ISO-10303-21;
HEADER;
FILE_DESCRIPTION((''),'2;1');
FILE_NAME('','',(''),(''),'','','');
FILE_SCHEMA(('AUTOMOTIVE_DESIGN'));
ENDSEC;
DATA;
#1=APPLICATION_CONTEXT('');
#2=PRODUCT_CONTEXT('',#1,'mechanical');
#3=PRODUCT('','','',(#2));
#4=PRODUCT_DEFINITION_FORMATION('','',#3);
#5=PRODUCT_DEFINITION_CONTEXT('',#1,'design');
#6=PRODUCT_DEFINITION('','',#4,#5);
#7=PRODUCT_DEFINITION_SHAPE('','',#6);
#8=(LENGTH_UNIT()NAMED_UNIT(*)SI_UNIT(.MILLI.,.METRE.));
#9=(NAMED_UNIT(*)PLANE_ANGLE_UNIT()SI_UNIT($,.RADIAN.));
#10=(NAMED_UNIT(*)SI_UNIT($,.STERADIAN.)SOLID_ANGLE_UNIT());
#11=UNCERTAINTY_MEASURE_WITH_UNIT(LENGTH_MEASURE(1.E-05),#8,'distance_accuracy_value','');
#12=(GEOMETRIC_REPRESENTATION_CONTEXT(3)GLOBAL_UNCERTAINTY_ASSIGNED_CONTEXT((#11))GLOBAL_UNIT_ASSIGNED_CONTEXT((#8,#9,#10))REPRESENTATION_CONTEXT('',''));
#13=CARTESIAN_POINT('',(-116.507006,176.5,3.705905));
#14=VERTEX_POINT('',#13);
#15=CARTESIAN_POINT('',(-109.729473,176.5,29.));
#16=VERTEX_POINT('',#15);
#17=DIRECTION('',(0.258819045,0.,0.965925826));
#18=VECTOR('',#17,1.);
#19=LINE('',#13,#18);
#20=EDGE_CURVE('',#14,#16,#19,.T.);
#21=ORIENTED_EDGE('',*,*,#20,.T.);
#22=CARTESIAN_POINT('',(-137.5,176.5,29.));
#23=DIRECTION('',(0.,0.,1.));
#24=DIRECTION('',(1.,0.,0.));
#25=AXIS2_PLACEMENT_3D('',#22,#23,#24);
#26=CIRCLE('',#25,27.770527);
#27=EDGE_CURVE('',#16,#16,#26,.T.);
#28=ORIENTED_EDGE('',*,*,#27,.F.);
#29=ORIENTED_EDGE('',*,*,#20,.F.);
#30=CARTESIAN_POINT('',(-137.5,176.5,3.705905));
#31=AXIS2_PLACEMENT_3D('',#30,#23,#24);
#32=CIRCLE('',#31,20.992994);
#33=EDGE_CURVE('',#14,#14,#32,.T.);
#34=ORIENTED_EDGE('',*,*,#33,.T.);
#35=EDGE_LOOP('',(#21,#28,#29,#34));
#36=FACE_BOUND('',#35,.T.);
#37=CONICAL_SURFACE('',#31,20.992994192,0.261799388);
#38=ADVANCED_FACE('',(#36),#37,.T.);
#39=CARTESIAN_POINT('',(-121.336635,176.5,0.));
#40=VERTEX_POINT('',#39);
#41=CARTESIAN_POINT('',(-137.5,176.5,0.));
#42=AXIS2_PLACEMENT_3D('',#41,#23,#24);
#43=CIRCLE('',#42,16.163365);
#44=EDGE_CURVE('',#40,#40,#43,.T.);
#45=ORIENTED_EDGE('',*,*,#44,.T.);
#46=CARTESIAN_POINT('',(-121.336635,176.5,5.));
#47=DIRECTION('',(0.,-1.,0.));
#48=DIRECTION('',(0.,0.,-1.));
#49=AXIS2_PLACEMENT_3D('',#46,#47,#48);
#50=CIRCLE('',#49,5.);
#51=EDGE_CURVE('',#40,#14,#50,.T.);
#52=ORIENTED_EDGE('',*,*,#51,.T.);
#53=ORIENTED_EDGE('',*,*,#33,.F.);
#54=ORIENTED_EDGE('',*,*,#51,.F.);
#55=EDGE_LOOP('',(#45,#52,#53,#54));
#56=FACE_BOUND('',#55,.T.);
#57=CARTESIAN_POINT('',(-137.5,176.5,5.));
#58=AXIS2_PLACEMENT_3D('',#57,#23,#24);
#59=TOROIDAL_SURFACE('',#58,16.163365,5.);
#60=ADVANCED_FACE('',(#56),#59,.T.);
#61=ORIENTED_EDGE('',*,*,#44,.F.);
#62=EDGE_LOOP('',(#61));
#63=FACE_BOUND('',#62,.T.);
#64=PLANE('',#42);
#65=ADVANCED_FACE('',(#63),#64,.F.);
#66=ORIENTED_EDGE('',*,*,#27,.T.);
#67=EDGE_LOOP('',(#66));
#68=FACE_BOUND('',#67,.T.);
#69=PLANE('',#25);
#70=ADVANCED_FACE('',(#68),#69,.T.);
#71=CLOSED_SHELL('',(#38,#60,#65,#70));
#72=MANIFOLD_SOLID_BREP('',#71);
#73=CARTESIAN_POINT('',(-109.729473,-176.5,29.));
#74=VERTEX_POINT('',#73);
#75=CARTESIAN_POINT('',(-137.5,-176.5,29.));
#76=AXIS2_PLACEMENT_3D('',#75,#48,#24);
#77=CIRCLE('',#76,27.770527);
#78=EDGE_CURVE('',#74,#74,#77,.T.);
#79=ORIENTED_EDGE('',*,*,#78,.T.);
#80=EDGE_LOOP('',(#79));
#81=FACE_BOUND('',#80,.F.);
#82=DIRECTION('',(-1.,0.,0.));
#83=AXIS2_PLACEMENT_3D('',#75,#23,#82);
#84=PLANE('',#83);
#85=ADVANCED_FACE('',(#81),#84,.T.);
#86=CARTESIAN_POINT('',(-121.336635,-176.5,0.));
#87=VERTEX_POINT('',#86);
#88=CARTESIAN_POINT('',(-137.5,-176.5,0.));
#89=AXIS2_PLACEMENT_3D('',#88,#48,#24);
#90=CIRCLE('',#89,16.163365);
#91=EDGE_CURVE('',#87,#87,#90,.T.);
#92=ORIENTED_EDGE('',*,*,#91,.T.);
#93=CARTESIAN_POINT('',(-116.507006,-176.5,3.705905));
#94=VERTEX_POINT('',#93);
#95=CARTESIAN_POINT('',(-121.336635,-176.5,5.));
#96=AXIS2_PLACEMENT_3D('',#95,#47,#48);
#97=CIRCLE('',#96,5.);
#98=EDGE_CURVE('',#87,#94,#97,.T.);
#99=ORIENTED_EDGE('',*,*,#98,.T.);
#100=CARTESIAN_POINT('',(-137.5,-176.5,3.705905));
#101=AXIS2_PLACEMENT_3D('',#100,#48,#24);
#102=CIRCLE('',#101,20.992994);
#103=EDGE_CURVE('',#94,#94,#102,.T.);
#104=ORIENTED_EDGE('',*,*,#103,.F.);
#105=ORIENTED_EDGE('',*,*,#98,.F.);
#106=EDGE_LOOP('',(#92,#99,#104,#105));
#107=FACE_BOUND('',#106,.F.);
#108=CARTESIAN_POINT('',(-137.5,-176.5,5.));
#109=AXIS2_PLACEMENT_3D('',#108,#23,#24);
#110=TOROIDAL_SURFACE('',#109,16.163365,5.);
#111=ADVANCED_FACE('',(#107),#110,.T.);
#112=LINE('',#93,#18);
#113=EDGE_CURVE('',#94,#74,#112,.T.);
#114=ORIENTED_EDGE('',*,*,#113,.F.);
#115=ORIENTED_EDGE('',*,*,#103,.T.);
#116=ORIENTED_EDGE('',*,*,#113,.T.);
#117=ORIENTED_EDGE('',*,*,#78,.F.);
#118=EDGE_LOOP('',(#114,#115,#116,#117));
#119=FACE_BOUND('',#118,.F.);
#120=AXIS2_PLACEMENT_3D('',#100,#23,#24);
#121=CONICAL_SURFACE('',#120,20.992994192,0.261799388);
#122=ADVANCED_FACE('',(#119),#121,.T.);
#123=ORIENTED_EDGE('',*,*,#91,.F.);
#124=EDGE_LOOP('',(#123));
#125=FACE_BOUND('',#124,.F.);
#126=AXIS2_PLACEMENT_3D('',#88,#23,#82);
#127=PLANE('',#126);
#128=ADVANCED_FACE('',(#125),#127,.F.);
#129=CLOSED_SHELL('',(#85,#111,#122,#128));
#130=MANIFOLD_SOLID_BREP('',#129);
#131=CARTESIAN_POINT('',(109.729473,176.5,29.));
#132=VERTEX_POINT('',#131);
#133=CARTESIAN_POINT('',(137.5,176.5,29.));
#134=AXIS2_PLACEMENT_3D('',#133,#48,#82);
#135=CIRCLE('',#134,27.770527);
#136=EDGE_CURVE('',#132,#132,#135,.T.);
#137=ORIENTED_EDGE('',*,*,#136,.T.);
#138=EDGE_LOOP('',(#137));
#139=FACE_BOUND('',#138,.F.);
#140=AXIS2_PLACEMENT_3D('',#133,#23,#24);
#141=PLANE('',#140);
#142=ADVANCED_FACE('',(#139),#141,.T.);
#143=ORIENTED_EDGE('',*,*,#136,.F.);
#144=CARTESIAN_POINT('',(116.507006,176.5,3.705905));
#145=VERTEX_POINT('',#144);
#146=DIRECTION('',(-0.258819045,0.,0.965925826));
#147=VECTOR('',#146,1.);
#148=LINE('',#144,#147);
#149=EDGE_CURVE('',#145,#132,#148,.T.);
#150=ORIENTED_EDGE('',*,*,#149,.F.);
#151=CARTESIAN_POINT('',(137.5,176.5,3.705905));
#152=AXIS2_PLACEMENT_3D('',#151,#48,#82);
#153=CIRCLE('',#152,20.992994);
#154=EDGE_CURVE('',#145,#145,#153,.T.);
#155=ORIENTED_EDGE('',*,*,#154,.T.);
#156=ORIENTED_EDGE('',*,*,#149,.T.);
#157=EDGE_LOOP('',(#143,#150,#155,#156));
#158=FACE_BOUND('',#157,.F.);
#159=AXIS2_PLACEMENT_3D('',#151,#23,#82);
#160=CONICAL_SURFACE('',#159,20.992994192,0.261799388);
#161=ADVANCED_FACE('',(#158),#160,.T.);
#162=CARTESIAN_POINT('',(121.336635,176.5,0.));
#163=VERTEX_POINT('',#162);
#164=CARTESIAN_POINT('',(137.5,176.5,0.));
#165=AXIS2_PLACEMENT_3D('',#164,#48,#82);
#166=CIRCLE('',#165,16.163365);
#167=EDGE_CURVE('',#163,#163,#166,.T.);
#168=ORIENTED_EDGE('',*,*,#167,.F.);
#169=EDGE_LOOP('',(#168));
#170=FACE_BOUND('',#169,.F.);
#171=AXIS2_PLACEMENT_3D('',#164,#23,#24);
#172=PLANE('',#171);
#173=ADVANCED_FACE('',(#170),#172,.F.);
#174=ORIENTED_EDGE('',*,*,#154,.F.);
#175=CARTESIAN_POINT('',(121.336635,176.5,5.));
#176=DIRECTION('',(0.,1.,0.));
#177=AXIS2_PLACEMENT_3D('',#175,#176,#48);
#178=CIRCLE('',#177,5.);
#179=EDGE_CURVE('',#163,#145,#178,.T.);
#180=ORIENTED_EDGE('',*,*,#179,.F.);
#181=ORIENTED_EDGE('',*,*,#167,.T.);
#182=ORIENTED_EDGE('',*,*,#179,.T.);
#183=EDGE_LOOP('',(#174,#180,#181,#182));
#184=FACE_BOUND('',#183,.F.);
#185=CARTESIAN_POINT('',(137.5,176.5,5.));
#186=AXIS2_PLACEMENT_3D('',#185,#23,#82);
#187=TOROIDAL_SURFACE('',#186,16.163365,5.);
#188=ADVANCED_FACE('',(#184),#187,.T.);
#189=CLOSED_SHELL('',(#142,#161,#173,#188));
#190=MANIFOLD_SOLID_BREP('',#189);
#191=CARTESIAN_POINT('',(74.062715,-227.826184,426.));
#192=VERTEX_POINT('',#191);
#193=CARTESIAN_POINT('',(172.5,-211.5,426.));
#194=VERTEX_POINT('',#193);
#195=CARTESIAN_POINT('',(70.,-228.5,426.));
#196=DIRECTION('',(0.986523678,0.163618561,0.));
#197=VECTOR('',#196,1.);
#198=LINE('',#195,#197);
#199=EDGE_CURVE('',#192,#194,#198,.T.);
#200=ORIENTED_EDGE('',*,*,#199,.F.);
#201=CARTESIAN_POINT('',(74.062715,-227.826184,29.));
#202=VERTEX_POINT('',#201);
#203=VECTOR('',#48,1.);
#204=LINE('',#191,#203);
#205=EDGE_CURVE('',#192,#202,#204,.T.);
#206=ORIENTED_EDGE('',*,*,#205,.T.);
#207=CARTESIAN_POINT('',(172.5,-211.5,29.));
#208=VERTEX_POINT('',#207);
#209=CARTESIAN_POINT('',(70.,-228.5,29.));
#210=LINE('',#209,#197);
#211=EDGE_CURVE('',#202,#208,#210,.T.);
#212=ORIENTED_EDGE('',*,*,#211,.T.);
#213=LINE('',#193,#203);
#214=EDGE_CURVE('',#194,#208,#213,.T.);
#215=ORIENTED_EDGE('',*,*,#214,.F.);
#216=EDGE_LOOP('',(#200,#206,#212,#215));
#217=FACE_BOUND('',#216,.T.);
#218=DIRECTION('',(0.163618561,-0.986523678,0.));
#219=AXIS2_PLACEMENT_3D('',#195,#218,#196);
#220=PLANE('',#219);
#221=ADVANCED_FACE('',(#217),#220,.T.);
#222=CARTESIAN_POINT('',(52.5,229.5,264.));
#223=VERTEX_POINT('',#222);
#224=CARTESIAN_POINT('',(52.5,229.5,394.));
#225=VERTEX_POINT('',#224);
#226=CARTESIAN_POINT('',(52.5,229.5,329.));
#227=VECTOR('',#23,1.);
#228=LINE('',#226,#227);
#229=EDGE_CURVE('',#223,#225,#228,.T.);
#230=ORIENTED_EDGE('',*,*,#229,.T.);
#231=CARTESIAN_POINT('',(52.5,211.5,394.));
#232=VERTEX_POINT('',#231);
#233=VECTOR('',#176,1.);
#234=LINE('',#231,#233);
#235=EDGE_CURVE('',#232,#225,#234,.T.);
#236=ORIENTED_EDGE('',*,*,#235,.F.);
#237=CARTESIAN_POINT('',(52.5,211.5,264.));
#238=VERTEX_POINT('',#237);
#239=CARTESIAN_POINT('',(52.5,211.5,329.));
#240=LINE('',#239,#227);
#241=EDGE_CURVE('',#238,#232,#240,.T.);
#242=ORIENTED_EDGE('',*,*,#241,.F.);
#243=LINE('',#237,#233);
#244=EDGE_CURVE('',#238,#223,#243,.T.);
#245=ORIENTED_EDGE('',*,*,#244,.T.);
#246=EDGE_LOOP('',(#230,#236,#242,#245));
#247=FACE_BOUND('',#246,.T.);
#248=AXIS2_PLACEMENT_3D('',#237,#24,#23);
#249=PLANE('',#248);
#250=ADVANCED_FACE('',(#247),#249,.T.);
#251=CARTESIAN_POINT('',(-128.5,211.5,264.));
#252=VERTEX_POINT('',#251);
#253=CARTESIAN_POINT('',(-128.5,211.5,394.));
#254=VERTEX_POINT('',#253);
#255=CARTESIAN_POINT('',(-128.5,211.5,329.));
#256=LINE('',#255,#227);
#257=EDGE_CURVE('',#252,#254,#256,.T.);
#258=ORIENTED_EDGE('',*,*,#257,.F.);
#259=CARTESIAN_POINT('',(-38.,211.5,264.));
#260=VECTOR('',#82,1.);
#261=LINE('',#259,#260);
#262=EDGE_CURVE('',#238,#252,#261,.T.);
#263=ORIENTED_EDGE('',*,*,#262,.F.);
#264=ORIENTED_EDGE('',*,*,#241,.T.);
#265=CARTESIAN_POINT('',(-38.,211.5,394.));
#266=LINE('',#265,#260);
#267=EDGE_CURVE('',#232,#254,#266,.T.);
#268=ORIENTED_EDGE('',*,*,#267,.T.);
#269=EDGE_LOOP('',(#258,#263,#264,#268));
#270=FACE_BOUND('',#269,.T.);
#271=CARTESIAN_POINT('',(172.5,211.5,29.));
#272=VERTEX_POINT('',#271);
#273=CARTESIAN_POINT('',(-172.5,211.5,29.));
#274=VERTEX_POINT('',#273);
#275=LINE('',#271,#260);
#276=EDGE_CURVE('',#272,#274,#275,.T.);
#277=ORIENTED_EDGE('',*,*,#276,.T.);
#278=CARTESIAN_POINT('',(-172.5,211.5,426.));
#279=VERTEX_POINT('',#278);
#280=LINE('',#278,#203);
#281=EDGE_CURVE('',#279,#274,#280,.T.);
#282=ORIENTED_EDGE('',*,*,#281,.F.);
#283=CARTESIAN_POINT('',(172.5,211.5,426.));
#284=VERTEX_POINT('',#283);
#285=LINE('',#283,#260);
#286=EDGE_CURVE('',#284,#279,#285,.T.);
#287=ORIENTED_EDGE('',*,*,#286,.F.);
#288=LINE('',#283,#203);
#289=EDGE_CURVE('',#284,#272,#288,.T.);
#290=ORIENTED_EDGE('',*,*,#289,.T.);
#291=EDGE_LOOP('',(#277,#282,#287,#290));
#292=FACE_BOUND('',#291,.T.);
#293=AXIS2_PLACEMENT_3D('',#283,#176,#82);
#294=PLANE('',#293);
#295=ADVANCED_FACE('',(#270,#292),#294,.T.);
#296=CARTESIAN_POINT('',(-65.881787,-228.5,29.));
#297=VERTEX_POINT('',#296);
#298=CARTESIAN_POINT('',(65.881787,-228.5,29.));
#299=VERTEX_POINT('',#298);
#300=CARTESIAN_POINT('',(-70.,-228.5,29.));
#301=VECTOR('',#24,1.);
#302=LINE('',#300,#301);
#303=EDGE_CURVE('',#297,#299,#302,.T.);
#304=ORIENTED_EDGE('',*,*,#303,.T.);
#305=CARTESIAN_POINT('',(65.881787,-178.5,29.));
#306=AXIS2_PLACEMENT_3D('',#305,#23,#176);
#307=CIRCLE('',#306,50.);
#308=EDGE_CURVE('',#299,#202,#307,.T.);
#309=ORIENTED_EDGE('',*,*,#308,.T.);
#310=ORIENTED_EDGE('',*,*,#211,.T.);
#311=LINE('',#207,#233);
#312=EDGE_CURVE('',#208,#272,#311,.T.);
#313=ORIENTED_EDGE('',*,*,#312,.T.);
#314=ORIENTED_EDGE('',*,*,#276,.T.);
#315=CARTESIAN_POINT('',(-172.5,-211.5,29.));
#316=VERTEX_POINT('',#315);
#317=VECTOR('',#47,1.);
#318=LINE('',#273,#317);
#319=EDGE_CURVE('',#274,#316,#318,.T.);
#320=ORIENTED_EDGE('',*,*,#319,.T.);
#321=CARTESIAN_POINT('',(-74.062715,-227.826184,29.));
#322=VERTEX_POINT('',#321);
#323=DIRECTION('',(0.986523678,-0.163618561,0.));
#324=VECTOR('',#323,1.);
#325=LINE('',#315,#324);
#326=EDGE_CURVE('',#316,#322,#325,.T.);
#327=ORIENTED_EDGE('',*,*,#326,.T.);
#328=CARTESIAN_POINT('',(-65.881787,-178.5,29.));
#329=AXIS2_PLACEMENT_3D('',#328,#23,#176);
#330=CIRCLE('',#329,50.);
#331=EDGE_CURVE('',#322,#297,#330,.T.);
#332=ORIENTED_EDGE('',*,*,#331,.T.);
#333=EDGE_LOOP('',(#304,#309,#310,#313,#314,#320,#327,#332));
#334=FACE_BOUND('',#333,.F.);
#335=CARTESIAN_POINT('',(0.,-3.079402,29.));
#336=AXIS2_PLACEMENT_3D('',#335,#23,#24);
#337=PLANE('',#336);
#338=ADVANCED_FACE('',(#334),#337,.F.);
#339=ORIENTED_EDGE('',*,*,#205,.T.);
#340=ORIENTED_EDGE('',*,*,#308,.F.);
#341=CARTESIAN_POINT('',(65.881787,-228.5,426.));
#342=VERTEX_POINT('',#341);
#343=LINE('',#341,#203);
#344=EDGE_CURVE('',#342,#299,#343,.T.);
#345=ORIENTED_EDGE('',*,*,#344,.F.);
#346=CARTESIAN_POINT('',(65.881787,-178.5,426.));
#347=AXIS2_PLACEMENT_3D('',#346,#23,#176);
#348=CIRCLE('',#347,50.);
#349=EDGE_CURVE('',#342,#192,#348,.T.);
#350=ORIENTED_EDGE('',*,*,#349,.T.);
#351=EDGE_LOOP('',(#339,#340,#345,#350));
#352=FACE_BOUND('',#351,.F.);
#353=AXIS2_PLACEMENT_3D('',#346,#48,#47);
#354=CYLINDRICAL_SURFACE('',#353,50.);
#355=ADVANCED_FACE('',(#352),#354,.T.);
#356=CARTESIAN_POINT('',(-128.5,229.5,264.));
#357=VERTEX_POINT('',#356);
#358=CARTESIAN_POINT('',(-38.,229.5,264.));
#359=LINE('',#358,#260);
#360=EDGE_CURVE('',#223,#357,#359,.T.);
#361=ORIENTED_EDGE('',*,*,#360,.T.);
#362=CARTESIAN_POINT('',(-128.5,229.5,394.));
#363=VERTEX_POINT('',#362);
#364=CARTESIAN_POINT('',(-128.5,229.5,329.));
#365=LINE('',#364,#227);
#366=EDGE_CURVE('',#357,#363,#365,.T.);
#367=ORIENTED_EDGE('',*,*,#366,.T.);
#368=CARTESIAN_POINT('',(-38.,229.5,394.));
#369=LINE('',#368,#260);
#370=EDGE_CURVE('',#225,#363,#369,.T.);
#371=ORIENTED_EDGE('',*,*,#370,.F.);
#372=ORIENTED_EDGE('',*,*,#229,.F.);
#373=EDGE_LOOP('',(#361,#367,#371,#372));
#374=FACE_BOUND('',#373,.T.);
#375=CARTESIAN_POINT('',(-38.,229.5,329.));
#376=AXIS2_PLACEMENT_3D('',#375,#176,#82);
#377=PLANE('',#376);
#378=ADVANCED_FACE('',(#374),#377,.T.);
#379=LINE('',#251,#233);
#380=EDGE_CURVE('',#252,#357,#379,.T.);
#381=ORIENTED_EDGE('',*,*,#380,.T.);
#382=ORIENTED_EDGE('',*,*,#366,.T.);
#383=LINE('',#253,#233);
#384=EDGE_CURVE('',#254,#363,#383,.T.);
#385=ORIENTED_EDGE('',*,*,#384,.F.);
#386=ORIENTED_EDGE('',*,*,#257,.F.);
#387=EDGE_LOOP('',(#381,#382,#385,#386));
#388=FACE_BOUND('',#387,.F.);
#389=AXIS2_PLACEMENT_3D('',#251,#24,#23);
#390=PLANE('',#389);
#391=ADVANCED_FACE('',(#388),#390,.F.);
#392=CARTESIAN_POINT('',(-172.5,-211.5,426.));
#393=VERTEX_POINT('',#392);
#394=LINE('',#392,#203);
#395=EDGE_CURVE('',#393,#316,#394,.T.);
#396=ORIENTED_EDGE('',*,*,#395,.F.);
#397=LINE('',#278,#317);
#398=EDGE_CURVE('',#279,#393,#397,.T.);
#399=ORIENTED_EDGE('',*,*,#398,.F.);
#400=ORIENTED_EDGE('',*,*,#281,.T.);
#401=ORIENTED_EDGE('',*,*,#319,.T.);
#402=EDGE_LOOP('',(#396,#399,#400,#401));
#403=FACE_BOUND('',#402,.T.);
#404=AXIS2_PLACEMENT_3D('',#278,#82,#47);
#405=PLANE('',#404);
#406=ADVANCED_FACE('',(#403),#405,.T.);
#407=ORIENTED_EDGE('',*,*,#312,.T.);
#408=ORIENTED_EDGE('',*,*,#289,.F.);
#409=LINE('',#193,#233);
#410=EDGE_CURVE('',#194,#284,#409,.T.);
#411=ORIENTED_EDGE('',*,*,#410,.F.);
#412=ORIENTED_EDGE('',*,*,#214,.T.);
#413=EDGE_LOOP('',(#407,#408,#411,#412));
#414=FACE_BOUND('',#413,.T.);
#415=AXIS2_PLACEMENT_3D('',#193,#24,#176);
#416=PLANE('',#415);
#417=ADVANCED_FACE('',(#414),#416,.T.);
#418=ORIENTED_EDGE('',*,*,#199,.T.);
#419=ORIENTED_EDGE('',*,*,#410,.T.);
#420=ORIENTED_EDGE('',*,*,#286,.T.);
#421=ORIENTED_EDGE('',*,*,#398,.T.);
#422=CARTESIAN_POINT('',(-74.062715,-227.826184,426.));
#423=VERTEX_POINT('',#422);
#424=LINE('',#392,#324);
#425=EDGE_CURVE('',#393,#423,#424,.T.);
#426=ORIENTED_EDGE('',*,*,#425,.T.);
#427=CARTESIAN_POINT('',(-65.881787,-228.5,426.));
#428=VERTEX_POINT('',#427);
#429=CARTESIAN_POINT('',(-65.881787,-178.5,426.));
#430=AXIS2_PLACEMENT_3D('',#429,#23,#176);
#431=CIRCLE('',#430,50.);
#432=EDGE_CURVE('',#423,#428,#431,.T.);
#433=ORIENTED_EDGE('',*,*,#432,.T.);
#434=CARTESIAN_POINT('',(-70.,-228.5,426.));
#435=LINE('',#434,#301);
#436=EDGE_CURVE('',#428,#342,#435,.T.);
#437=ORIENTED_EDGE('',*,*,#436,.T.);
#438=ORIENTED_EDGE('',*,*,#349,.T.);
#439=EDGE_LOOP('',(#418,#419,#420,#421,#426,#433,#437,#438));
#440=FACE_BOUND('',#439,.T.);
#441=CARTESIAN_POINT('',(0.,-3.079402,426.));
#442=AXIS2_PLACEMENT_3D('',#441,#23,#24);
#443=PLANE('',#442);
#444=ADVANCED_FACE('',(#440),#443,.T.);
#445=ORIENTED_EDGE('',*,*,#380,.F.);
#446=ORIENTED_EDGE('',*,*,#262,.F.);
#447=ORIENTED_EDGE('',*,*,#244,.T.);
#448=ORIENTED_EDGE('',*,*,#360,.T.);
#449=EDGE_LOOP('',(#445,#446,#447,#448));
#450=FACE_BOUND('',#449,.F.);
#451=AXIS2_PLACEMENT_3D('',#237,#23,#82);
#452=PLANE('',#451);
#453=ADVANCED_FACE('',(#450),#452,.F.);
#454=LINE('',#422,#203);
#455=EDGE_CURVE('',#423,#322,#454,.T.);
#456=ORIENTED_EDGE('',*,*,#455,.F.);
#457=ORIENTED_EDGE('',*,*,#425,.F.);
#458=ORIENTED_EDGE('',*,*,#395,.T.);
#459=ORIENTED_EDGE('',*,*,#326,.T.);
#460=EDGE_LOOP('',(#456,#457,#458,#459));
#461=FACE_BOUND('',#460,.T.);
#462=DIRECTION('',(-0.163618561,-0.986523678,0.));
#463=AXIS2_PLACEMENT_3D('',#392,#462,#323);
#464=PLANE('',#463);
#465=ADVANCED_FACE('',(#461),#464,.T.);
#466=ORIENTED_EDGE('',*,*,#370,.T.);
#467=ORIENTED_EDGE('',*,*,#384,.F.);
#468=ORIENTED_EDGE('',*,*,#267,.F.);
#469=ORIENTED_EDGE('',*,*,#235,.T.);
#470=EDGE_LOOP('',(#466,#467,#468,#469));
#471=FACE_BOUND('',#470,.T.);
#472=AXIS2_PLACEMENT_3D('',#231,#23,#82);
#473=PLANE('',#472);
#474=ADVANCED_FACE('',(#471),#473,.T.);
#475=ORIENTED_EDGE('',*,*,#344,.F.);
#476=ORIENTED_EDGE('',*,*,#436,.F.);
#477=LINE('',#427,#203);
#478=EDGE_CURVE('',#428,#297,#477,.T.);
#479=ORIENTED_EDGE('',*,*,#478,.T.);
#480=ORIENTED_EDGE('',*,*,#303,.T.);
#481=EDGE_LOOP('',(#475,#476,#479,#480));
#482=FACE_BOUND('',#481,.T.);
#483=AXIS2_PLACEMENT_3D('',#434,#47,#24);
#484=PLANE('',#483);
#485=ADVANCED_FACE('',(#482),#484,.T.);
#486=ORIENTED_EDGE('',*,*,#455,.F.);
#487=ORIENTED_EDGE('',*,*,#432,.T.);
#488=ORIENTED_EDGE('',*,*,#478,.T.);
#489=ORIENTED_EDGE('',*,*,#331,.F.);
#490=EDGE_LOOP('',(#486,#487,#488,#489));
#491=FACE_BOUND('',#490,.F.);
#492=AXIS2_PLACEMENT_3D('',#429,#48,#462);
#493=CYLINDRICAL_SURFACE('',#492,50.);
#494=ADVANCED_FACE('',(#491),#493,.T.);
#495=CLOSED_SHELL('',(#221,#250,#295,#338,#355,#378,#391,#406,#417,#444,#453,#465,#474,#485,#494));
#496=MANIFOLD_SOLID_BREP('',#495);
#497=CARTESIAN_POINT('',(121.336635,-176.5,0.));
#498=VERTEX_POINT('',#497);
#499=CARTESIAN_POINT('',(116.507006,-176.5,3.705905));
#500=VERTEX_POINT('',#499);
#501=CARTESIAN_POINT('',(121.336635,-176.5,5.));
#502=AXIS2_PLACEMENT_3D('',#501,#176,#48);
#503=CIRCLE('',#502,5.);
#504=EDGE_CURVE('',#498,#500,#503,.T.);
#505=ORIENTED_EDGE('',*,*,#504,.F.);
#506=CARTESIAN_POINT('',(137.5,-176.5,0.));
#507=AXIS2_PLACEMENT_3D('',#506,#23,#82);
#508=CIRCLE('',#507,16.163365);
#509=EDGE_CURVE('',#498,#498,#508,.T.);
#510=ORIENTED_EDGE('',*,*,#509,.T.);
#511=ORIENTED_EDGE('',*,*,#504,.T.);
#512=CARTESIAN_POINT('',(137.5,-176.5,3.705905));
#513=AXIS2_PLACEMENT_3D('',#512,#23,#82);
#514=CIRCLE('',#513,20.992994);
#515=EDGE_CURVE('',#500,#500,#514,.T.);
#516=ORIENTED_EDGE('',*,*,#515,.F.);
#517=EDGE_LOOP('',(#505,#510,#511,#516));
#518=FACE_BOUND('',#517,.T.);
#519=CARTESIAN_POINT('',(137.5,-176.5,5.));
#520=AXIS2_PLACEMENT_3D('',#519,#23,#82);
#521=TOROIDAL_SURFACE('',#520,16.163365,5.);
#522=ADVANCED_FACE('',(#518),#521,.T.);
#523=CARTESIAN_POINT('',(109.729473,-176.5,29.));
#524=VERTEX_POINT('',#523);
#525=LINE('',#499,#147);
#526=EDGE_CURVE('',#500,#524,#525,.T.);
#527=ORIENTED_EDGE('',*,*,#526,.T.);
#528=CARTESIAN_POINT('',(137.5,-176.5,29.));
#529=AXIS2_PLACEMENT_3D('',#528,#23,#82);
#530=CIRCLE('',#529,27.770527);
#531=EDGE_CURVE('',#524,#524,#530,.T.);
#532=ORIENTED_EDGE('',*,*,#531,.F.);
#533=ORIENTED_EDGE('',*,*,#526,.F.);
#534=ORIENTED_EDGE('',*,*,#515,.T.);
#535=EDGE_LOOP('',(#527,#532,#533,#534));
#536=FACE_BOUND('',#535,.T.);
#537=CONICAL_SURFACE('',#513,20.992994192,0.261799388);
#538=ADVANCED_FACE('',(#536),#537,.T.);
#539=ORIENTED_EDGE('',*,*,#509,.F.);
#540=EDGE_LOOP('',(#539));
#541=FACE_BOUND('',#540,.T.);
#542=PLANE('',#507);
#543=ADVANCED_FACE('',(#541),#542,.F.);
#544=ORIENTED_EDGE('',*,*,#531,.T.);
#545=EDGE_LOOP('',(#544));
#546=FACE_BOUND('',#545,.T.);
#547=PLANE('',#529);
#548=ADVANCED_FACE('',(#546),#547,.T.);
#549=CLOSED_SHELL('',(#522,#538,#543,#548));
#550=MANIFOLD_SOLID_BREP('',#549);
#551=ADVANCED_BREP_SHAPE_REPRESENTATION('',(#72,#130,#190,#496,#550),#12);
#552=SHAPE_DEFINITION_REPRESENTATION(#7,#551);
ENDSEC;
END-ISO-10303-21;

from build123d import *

# Parameters (mm, degrees)
F3_DEPTH  = 397
F4_R      = 50
F11_W     = 181
F11_H     = 130
F12_DEPTH = 18


with BuildPart() as f3:
    # F2 (on offset) → F3 (new body, through all)
    with BuildSketch(Plane.XY.offset(426)):
        Polygon((172.5, 211.5), (-172.5, 211.5), (-172.5, -211.5), (-70, -228.5), (70, -228.5), (172.5, -211.5), align=None)
    extrude(amount=-F3_DEPTH)

    # F4
    f4_edges = [f3.edges().sort_by_distance(p)[0] for p in [
        (-70, -228.5, 227.5),
        (70, -228.5, 227.5),
    ]]
    fillet(f4_edges, radius=F4_R)

    # F11 (on face) → F12 (join)
    with BuildSketch(Plane(origin=(0, 211.5, 0), x_dir=(-1, 0, 0), z_dir=(0, 1, 0))):
        with Locations((38, 329)):
            Rectangle(F11_W, F11_H)
    extrude(amount=F12_DEPTH)


with BuildPart() as f8:
    # F7 (on plane+point) → F8 (revolve)
    with BuildSketch(Plane.XZ.offset(-176.5)):
        with BuildLine():
            Line((-116.5070058084, 3.7059047745), (-109.7294734195, 29))
            Line((-109.7294734195, 29), (-137.5, 29))
            Line((-137.5, 29), (-137.5, 0))
            Line((-137.5, 0), (-121.3366349399, 0))
            ThreePointArc((-121.3366349399, 0), (-118.2928277949, 1.0332332985), (-116.5070058084, 3.7059047745))
        make_face()
    revolve(axis=Axis((-137.5, 176.5, 14.5), (0, 0, 1)))


with BuildPart() as f9_1:
    # F9: instance of F8
    add(f8.part.mirror(Plane.YZ))


with BuildPart() as f10_1:
    # F10: instance of F8
    add(f8.part.mirror(Plane.XZ))


with BuildPart() as f10_2:
    # F10: instance of F9_1
    add(f9_1.part.mirror(Plane.XZ))


solid = Compound([f3.part, f8.part, f9_1.part, f10_1.part, f10_2.part])
